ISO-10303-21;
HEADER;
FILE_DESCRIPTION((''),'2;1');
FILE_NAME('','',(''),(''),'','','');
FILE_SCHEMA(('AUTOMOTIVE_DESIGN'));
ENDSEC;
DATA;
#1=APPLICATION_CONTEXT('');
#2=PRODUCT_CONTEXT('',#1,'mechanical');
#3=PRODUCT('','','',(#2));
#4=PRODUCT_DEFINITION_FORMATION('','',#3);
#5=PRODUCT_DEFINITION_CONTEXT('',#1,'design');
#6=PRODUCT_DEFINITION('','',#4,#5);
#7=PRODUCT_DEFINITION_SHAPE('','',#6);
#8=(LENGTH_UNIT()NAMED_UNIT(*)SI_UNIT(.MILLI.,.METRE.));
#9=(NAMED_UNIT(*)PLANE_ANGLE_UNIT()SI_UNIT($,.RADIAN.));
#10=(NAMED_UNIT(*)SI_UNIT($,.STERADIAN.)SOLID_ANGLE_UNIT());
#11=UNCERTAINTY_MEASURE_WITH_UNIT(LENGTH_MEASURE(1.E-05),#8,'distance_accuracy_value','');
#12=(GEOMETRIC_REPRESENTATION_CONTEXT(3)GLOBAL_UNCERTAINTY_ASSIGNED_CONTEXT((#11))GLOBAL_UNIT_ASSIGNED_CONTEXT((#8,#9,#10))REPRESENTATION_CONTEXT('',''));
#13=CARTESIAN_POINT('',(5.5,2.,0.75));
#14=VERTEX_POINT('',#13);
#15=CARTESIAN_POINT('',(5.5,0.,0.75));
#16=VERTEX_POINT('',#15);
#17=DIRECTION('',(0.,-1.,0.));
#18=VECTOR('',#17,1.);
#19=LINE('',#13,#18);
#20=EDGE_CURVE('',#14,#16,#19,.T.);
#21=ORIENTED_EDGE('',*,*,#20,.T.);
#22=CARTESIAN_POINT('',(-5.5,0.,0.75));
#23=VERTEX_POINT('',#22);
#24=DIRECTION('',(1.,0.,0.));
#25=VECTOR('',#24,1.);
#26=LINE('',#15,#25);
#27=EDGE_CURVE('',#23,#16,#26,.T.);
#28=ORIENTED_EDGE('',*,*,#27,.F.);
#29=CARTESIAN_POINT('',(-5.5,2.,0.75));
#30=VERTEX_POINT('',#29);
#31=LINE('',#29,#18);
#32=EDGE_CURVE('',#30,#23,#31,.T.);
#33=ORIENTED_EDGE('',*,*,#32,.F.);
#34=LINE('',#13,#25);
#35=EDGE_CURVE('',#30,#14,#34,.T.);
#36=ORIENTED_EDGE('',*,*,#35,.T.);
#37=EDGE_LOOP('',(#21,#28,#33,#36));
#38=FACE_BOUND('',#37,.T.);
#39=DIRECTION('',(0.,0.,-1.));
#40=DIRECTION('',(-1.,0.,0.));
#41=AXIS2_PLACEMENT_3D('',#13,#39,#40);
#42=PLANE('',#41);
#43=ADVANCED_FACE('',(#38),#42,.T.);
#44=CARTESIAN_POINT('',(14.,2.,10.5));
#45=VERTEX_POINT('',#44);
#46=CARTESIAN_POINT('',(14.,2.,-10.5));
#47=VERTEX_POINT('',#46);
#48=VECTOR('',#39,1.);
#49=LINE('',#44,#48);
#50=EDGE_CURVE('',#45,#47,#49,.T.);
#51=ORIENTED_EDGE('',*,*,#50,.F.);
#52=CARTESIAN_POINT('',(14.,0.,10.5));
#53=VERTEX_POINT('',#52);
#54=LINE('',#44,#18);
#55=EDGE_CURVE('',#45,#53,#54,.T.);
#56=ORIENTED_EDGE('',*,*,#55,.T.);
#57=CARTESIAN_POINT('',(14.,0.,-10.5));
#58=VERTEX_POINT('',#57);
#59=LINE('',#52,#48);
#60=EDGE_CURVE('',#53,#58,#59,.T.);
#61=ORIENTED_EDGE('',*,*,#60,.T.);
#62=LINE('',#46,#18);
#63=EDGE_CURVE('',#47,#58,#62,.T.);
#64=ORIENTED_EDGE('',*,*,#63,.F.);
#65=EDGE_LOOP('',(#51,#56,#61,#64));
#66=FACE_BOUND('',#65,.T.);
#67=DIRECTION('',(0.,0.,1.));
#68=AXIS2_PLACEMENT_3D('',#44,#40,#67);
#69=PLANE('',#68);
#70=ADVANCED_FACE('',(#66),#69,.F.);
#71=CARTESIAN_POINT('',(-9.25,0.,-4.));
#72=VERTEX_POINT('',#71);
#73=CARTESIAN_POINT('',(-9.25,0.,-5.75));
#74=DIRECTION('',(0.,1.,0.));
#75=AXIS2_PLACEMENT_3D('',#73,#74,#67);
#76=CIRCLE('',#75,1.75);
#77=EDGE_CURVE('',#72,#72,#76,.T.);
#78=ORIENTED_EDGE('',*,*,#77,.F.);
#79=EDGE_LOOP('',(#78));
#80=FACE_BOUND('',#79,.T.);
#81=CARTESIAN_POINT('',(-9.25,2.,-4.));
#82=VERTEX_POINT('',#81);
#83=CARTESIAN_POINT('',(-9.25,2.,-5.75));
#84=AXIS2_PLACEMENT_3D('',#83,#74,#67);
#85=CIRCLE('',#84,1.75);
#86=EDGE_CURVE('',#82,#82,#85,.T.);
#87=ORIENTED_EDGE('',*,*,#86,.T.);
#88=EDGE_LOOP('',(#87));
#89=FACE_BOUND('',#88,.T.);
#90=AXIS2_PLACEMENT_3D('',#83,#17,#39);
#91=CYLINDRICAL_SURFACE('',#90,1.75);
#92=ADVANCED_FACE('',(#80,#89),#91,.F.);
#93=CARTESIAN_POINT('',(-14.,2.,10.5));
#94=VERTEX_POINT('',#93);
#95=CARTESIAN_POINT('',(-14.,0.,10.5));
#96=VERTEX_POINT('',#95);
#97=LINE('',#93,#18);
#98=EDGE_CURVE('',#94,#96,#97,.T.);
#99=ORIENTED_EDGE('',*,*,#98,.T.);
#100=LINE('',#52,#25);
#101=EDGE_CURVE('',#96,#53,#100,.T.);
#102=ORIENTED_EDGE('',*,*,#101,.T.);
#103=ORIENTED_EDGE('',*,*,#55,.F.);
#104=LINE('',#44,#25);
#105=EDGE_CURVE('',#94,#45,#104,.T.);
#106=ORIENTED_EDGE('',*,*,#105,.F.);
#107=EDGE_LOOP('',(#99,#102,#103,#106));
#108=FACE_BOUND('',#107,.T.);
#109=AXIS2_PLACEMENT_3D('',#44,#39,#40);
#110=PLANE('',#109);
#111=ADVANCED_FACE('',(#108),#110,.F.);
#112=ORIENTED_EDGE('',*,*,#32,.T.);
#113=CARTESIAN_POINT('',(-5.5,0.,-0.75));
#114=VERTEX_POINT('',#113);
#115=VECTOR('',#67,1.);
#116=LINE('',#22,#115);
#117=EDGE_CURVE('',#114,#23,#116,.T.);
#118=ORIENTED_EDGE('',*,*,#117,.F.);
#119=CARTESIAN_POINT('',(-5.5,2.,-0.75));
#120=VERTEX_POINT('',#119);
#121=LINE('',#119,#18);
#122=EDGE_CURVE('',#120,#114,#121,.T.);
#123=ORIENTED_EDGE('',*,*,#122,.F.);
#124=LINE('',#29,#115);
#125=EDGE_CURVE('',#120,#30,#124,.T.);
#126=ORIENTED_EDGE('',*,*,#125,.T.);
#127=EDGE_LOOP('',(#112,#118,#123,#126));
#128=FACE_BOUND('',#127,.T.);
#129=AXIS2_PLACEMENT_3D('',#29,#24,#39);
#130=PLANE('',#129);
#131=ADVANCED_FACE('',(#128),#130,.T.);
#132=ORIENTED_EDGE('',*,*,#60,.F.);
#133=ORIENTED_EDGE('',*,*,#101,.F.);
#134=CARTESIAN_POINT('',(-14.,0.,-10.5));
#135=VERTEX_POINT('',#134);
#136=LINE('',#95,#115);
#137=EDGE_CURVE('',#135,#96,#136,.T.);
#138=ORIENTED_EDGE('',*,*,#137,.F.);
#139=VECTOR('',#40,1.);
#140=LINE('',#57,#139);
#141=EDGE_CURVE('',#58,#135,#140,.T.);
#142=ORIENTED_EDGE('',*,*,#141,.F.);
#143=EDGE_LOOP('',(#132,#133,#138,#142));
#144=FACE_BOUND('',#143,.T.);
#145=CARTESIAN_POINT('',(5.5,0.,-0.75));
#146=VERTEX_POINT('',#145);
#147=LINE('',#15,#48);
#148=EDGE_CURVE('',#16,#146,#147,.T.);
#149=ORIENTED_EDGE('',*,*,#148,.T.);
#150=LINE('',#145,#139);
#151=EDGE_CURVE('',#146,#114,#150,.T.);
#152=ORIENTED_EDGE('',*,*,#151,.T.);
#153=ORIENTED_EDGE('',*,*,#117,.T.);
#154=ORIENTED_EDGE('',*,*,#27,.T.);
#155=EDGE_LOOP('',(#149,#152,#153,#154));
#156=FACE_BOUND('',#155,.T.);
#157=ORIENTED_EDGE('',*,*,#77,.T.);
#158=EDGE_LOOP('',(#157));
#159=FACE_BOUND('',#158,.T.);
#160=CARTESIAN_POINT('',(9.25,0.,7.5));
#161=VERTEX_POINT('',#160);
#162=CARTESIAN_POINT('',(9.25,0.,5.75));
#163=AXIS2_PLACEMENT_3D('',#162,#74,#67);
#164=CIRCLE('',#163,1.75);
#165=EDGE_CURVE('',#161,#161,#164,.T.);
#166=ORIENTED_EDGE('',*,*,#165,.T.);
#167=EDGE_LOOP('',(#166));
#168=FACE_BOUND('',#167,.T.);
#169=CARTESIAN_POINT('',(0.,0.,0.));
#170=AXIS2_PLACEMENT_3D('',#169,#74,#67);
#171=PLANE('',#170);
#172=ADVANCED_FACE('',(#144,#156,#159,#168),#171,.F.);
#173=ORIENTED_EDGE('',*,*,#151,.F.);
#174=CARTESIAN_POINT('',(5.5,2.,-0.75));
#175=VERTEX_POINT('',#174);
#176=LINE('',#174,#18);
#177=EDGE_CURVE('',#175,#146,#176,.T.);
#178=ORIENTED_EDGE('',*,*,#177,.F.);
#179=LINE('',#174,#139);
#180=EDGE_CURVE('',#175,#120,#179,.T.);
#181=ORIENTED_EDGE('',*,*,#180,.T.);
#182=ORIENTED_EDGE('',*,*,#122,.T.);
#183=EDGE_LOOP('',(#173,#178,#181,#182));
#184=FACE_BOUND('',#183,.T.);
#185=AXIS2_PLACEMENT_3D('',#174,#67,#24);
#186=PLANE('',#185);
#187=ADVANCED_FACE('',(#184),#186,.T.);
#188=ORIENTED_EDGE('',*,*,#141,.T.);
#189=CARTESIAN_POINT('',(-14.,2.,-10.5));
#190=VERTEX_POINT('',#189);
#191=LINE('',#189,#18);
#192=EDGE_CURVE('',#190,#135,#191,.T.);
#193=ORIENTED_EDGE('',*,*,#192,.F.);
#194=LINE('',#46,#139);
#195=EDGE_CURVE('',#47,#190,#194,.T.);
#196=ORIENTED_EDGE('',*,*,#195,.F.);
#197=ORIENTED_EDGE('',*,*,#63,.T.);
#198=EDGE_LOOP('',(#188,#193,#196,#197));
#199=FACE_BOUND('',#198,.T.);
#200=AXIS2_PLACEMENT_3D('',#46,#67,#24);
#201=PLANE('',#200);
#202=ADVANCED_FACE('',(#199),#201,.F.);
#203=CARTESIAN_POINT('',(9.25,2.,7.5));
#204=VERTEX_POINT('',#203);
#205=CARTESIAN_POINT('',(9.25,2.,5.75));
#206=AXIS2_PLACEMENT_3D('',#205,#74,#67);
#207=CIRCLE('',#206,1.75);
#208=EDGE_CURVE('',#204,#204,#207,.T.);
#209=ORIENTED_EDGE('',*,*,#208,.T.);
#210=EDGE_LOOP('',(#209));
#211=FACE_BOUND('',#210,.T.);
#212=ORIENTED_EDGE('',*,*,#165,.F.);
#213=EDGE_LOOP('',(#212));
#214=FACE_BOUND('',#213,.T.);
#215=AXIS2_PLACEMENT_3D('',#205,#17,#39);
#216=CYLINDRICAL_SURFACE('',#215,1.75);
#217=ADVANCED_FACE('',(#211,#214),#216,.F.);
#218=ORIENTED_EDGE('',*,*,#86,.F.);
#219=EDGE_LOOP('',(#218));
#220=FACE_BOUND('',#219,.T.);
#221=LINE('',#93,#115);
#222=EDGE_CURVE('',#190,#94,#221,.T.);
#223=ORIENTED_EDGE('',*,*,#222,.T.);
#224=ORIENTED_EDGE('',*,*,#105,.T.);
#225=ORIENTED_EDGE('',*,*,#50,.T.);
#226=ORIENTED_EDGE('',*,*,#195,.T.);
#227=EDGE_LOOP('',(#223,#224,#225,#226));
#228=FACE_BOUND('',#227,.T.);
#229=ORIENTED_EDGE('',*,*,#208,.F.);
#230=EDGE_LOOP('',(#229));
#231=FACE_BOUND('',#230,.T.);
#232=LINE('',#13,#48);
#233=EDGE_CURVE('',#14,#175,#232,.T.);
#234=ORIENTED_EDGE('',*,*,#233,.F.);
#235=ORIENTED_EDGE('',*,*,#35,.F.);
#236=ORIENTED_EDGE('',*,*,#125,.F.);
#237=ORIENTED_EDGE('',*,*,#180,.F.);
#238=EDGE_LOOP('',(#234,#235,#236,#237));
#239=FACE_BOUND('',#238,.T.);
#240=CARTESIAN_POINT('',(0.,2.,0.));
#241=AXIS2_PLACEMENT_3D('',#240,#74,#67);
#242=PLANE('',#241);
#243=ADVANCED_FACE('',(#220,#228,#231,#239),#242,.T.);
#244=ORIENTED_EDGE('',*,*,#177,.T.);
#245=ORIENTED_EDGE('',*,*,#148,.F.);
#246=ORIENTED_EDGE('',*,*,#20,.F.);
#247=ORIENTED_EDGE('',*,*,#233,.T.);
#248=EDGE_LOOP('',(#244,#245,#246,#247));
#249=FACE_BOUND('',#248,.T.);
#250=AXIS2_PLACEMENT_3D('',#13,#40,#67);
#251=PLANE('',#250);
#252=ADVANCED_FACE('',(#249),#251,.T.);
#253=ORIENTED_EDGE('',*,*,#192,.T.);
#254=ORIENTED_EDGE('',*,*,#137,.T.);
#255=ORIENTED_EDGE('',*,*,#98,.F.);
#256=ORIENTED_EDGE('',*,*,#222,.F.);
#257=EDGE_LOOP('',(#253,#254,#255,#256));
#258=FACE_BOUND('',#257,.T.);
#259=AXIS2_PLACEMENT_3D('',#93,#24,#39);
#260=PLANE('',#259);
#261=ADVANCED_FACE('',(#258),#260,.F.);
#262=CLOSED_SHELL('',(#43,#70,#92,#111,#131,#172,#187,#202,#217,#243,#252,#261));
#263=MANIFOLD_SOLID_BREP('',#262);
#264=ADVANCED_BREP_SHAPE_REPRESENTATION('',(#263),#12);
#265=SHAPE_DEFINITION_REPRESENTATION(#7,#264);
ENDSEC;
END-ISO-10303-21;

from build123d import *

# Parameters (mm, degrees)
SCHIZZO1_W                   = 28
SCHIZZO1_H                   = 21
SCHIZZO1_R                   = 1.75
SCHIZZO1_W_2                 = 11
SCHIZZO1_H_2                 = 1.5
ESTRUSIONE_ESTRUSIONE1_DEPTH = 2


with BuildPart() as part:
    # Schizzo1 → Estrusione-Estrusione1 (new body)
    with BuildSketch(Plane(origin=(0, 0, 0), x_dir=(1, 0, 0), z_dir=(0, 1, 0))):
        Rectangle(SCHIZZO1_W, SCHIZZO1_H)
        with Locations(Location((-9.25, 5.75, 0), (0, 0, 270))):
            Circle(SCHIZZO1_R, mode=Mode.SUBTRACT)
        with Locations(Location((9.25, -5.75, 0), (0, 0, 270))):
            Circle(SCHIZZO1_R, mode=Mode.SUBTRACT)
        Rectangle(SCHIZZO1_W_2, SCHIZZO1_H_2, mode=Mode.SUBTRACT)
    extrude(amount=ESTRUSIONE_ESTRUSIONE1_DEPTH)


solid = part.part
